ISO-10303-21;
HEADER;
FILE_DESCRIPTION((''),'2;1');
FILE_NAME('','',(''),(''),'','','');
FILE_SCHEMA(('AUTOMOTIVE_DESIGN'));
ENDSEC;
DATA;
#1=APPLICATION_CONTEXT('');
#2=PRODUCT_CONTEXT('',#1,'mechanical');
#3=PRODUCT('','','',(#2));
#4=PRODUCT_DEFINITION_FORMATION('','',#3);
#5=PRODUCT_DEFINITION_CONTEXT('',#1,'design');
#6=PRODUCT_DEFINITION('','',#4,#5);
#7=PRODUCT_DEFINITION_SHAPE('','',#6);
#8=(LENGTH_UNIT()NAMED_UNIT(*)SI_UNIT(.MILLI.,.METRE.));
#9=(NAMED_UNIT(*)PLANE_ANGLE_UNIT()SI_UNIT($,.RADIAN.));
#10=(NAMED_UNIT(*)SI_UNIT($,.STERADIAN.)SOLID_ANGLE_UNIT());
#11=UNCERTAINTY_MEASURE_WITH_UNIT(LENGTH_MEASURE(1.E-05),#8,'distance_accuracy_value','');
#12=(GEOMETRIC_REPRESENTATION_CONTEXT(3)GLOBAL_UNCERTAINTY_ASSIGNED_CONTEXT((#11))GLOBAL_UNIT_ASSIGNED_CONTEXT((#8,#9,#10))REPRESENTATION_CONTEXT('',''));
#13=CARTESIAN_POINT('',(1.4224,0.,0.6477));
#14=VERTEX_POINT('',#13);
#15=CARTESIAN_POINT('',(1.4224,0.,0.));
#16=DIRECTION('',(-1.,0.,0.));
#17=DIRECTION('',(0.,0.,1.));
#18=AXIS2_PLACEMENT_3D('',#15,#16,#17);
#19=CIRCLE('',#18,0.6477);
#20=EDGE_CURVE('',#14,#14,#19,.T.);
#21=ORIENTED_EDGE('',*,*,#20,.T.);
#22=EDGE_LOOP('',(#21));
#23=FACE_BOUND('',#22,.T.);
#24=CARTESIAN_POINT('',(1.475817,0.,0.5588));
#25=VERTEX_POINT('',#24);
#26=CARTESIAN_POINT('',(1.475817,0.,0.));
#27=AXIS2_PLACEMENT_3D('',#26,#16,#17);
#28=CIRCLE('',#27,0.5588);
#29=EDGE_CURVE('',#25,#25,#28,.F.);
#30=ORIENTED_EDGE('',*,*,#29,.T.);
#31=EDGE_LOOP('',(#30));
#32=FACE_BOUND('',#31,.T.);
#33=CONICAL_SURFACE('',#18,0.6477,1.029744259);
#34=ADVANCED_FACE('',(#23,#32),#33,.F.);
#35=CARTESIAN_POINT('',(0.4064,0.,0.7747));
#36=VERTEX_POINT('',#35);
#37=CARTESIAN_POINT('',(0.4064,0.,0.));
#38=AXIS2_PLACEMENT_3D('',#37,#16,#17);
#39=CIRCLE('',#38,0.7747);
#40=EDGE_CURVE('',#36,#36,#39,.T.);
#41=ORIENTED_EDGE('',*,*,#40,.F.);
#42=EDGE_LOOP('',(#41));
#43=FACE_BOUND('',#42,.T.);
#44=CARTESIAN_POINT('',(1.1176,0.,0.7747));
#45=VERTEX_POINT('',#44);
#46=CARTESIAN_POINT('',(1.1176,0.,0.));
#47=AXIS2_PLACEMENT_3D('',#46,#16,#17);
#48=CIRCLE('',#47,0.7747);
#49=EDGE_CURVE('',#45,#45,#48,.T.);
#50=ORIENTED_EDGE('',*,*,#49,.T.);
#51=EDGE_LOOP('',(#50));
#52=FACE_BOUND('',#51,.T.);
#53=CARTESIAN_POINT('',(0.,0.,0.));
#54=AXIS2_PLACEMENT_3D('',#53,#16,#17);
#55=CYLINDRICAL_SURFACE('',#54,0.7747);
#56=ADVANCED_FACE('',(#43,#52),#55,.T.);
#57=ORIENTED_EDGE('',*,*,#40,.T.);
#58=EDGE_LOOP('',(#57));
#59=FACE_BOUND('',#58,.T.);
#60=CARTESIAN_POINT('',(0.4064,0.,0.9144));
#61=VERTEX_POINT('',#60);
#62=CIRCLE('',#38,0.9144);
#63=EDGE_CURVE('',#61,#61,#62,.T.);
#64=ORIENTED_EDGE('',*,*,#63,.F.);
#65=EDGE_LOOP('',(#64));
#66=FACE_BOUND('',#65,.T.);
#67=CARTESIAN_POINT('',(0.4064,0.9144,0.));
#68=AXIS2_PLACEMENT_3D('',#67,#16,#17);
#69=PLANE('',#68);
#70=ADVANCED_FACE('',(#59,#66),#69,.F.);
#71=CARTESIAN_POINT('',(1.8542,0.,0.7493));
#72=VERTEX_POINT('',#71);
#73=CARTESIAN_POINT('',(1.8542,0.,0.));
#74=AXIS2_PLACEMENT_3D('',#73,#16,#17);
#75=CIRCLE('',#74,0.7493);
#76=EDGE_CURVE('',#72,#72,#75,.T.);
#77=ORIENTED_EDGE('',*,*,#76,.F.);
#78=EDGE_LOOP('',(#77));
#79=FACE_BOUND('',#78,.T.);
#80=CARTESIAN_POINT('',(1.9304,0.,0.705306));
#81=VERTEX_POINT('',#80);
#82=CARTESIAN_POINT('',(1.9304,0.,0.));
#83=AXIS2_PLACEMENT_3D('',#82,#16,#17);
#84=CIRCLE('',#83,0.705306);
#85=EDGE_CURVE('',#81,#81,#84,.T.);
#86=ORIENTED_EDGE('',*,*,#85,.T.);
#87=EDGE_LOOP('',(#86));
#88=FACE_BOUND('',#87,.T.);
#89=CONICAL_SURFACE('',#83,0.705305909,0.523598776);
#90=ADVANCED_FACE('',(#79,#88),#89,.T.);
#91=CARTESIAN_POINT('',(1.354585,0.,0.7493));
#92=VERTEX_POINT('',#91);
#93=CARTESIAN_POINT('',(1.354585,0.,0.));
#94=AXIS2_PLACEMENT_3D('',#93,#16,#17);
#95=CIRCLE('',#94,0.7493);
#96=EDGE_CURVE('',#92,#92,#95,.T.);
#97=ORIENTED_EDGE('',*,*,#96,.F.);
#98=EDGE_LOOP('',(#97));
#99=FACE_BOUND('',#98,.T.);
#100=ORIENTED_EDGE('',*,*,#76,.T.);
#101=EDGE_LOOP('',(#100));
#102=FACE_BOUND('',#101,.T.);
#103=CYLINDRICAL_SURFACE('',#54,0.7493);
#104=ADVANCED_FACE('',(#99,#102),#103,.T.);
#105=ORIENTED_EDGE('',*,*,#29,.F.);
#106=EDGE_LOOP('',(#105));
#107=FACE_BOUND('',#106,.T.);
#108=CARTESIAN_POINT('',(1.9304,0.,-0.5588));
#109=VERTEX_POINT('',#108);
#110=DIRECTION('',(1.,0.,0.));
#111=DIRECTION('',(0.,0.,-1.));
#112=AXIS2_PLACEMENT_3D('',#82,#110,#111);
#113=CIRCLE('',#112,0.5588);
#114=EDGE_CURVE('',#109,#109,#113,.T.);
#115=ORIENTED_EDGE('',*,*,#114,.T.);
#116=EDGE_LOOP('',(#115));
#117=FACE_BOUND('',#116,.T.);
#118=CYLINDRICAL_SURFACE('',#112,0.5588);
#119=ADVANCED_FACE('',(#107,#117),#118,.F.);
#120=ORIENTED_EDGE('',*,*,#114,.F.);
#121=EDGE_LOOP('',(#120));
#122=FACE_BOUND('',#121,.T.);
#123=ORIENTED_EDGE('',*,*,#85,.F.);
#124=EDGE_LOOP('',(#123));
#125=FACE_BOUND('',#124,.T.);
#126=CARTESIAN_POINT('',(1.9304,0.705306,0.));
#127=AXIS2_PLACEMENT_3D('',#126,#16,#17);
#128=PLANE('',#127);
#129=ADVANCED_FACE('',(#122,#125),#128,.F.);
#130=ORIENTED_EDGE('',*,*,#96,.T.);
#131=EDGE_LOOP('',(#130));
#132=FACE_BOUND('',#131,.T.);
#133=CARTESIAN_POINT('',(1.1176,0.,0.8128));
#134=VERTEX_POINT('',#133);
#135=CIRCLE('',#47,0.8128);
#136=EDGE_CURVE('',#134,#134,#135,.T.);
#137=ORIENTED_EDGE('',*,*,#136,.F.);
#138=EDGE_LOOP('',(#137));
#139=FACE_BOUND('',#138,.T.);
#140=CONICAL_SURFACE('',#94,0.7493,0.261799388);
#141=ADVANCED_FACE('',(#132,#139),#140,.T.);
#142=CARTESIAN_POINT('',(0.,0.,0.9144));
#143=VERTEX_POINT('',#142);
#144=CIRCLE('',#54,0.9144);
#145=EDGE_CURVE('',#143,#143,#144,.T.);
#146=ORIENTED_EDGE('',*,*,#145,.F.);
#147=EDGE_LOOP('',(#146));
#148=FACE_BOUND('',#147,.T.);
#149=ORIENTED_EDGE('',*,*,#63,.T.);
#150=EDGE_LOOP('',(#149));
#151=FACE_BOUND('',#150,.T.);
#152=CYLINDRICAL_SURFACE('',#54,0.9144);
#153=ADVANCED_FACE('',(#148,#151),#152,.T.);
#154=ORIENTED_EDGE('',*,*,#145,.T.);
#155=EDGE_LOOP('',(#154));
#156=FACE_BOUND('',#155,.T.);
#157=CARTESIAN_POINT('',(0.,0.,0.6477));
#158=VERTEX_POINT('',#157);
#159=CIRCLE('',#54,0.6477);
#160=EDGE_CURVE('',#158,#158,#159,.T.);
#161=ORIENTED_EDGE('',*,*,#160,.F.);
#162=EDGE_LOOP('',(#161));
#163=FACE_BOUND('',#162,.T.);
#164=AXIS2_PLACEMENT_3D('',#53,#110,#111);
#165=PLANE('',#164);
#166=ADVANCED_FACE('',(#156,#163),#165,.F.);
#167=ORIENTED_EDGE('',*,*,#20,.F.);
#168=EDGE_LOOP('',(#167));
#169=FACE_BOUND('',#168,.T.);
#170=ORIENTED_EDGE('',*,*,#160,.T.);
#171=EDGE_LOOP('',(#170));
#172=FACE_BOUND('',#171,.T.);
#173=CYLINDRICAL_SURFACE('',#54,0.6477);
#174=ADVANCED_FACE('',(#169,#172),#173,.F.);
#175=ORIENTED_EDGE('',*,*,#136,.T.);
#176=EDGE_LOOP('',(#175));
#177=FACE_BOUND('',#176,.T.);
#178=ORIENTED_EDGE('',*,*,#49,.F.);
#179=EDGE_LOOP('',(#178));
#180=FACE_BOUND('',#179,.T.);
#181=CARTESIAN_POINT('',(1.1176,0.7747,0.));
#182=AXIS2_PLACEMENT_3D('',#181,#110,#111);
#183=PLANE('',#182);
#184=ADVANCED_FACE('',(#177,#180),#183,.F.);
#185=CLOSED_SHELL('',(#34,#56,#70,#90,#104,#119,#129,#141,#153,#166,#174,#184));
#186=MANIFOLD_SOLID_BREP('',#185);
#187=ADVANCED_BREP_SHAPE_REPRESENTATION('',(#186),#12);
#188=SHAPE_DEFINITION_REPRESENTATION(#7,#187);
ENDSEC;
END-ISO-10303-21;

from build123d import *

# Parameters (mm, degrees)
HOLE1_D     = 1.2954
HOLE1_DEPTH = 1.4224
HOLE1_TIP   = 0.389177423
HOLE2_D     = 1.1176
HOLE2_DEPTH = 1.9304
HOLE2_TIP   = 0.335760914


with BuildPart() as part:
    # Sketch1 → RevolutionAngle1 (revolve)
    with BuildSketch(Plane.XY):
        Polygon((0, 0), (0, 0.9144), (0.4064, 0.9144), (0.4064, 0.7747), (1.1176, 0.7747), (1.1176, 0.8128), (1.354585226, 0.7493), (1.8542, 0.7493), (1.9304, 0.705305909), (1.9304, 0), align=None)
    revolve(axis=Axis((0, 0, 0), (1, 0, 0)))

    # Hole1
    with Locations(Plane.ZY):
        with Locations((0, 0)):
            Hole(HOLE1_D / 2, depth=HOLE1_DEPTH)
            with Locations((0, 0, -(HOLE1_DEPTH + HOLE1_TIP / 2))):  # 118° drill point
                Cone(0, HOLE1_D / 2, HOLE1_TIP, mode=Mode.SUBTRACT)

    # Hole2
    with Locations(Plane(origin=(1.9304, 0, 0), x_dir=(0, 0, 1), z_dir=(1, 0, 0))):
        with Locations((0, 0)):
            Hole(HOLE2_D / 2, depth=HOLE2_DEPTH)
            with Locations((0, 0, -(HOLE2_DEPTH + HOLE2_TIP / 2))):  # 118° drill point
                Cone(0, HOLE2_D / 2, HOLE2_TIP, mode=Mode.SUBTRACT)


solid = part.part
